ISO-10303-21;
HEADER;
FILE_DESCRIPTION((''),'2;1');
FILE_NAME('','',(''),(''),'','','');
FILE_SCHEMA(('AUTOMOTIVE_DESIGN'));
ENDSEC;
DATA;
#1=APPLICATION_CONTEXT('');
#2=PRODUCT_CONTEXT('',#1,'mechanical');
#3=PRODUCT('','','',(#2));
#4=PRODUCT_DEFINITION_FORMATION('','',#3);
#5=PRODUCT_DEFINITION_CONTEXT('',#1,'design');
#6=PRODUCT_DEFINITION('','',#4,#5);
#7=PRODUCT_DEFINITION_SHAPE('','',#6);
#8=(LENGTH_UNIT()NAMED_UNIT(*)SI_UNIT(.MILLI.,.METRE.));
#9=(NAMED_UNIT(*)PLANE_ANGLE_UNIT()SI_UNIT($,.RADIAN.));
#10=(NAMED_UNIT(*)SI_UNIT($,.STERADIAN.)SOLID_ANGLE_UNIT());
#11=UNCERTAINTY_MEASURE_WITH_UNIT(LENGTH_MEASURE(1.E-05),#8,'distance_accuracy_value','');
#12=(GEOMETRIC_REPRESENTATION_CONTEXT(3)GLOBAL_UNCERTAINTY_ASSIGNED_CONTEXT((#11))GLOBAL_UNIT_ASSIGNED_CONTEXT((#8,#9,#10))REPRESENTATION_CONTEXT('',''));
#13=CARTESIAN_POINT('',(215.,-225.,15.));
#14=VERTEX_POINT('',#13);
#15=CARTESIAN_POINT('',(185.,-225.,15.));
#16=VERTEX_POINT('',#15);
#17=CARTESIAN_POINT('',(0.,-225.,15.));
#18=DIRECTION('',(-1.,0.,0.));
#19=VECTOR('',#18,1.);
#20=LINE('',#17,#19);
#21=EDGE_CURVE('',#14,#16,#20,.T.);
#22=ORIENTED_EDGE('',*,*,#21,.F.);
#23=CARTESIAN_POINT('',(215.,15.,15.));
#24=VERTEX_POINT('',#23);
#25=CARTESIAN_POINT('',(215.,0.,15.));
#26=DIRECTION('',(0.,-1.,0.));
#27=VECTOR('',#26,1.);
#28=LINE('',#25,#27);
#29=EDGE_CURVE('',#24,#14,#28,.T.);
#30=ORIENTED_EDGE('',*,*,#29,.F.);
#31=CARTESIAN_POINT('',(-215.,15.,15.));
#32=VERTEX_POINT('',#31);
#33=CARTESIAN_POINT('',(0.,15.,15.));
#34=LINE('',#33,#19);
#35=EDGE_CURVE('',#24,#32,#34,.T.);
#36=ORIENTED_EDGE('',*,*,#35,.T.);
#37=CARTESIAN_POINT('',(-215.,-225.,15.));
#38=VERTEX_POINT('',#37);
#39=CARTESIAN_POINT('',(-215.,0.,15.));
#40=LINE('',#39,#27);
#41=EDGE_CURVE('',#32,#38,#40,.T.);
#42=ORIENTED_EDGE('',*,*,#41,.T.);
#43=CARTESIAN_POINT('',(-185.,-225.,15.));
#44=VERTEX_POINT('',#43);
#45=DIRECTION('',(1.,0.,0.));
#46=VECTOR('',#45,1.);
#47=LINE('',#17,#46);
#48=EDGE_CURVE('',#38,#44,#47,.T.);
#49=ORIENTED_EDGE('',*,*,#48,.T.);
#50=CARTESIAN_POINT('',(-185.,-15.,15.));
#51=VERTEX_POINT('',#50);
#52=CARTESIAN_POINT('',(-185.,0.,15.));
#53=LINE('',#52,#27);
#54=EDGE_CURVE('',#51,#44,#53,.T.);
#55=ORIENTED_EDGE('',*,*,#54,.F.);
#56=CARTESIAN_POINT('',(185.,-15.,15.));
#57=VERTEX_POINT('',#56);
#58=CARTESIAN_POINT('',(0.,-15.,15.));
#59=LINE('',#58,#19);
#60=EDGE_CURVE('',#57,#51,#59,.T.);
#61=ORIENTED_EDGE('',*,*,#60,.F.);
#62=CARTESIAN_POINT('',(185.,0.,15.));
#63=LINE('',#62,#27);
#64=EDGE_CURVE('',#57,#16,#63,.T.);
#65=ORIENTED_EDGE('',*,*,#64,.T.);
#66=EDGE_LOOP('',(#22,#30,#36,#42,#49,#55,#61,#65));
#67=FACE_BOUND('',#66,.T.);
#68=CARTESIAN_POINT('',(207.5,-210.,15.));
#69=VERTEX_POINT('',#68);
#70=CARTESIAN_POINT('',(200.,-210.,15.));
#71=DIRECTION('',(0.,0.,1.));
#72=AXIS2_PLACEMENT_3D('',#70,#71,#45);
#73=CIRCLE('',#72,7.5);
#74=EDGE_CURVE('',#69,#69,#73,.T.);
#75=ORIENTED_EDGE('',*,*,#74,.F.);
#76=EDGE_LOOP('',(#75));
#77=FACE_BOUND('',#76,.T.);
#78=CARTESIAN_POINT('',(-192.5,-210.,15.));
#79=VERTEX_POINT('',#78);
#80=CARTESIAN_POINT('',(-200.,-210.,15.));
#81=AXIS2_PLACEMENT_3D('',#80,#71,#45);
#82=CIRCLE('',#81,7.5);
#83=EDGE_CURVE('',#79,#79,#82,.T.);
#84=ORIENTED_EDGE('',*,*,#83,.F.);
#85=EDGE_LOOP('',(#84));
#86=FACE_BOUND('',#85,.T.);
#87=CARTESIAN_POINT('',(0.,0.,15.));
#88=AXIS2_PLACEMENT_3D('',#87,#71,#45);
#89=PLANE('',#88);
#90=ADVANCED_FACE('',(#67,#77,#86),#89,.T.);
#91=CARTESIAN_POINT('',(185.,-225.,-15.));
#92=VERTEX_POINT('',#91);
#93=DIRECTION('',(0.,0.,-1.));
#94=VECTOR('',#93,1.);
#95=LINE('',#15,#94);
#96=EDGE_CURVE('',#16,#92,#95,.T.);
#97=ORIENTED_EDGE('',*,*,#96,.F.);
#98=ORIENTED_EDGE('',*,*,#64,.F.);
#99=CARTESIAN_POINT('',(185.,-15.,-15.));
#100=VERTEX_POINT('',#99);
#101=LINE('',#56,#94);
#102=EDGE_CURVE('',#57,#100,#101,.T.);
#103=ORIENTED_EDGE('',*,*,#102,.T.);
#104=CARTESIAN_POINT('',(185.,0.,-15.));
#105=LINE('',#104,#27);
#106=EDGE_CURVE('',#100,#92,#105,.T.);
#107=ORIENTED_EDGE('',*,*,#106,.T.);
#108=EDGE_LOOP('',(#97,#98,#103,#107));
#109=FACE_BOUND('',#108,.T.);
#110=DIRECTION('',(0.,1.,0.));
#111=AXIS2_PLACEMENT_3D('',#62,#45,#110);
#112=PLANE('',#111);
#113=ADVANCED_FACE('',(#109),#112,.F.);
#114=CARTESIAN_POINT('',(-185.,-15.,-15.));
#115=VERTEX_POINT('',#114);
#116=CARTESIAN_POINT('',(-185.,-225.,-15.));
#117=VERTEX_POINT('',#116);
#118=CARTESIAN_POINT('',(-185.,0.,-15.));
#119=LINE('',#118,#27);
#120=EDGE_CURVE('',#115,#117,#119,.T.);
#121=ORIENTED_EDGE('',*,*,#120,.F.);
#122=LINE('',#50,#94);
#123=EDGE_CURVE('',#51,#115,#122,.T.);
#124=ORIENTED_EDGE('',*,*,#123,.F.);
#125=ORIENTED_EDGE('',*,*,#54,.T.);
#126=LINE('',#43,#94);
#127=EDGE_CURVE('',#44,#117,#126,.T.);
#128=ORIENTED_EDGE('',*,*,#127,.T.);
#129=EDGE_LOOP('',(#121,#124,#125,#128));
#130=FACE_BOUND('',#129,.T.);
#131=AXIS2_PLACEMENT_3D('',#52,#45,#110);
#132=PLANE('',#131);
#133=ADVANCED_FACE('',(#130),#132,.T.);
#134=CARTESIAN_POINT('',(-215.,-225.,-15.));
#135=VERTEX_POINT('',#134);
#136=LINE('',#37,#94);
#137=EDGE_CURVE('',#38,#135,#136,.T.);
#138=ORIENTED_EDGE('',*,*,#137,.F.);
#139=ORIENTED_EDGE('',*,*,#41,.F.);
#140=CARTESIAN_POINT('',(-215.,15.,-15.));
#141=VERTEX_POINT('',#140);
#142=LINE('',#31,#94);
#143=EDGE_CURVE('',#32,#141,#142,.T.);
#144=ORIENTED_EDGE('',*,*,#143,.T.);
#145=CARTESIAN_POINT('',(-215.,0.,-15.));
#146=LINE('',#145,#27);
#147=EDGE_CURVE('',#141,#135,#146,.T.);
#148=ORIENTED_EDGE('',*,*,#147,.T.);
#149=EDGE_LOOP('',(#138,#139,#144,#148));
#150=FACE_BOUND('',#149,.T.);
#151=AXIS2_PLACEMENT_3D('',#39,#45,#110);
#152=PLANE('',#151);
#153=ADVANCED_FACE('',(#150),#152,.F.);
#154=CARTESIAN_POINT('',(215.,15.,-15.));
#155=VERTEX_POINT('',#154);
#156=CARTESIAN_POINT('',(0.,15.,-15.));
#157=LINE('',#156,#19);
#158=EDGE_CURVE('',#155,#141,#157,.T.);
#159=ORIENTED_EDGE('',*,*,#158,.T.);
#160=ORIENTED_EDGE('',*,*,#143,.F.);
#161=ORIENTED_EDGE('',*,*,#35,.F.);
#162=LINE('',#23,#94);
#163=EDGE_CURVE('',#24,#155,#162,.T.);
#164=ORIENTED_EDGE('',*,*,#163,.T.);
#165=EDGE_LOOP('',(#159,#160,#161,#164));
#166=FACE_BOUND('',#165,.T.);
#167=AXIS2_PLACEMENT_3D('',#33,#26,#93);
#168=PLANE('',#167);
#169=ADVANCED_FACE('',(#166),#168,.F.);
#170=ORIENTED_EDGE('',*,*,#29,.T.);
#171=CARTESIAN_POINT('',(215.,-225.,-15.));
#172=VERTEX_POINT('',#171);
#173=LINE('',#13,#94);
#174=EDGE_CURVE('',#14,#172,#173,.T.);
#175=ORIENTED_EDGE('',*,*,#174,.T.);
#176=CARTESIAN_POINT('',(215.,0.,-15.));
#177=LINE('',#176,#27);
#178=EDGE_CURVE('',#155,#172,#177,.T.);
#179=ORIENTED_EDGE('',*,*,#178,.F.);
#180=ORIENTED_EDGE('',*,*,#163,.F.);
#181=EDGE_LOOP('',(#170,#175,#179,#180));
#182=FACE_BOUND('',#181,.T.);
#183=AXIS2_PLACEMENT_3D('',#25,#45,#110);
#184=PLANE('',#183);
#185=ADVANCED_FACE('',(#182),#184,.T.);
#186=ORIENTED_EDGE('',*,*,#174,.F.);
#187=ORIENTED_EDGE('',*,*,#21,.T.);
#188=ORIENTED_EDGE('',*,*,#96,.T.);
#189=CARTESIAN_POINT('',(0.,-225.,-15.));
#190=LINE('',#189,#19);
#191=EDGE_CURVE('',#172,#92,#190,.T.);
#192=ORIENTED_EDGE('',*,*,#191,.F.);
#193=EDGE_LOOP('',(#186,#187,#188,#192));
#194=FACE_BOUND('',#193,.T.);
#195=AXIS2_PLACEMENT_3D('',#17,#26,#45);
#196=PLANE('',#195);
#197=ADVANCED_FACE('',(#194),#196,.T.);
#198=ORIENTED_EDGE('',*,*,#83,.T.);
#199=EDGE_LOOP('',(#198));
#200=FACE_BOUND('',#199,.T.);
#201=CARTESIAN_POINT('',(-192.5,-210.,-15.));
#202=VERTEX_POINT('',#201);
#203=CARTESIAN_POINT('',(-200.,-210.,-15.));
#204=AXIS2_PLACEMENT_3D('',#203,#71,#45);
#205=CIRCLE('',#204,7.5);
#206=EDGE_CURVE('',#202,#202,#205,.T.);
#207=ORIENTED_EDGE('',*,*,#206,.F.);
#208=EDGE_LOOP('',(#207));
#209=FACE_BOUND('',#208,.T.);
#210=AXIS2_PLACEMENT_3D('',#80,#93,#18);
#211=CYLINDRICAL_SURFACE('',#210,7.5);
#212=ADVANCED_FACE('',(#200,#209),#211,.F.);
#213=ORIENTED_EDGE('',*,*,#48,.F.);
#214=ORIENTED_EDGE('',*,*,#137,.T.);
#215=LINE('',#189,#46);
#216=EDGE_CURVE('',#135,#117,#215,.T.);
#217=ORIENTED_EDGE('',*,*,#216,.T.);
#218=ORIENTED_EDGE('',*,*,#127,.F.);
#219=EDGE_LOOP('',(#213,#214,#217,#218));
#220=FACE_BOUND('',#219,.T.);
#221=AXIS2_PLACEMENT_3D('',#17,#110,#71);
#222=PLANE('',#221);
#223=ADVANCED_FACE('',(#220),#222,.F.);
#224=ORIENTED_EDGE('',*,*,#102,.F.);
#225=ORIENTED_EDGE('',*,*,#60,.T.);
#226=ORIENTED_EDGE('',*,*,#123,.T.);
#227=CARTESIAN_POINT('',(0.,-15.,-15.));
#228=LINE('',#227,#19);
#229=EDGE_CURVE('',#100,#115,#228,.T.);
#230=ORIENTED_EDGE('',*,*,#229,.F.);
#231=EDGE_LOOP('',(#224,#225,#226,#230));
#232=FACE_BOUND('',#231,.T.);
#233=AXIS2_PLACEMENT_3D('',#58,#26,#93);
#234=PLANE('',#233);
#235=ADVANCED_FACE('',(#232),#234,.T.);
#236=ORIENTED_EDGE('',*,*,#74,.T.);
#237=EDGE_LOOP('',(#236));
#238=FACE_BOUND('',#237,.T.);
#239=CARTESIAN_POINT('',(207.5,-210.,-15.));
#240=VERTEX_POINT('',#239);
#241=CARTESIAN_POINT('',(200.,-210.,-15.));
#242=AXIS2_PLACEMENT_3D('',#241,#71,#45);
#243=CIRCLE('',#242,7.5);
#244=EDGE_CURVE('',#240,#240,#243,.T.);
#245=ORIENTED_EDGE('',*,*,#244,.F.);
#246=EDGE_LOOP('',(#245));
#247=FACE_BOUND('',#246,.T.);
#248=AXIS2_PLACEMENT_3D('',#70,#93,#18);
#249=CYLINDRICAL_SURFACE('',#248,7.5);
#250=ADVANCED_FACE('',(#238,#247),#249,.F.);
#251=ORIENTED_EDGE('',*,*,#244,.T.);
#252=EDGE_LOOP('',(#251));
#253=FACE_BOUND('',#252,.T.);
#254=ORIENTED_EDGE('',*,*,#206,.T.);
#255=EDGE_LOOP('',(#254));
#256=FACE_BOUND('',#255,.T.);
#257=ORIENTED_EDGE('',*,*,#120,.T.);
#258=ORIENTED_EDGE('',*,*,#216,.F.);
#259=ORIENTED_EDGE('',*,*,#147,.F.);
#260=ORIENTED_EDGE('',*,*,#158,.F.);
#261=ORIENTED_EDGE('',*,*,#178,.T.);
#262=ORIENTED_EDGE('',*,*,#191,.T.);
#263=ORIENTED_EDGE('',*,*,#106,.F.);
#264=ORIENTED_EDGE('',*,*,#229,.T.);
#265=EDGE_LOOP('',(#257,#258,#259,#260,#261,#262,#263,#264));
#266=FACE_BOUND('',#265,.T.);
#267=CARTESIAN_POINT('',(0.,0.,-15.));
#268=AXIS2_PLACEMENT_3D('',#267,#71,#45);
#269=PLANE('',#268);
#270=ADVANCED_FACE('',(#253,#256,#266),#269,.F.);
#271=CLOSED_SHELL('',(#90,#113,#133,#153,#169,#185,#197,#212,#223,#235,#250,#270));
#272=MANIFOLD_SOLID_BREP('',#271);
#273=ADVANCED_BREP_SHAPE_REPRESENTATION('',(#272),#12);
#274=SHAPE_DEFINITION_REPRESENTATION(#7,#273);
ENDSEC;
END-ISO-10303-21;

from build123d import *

# Parameters (mm, degrees)
SKETCH1_R           = 7.5
BOSS_EXTRUDE1_DEPTH = 15


with BuildPart() as part:
    # Sketch1 → Boss-Extrude1 (new, symmetric)
    with BuildSketch(Plane.XY):
        Polygon((-185, -225), (-185, -15), (185, -15), (185, -225), (215, -225), (215, -15), (215, 15), (-215, 15), (-215, -15), (-215, -225), align=None)
        with Locations((-200, -210)):
            Circle(SKETCH1_R, mode=Mode.SUBTRACT)
        with Locations((200, -210)):
            Circle(SKETCH1_R, mode=Mode.SUBTRACT)
    extrude(amount=BOSS_EXTRUDE1_DEPTH, both=True)


solid = part.part
